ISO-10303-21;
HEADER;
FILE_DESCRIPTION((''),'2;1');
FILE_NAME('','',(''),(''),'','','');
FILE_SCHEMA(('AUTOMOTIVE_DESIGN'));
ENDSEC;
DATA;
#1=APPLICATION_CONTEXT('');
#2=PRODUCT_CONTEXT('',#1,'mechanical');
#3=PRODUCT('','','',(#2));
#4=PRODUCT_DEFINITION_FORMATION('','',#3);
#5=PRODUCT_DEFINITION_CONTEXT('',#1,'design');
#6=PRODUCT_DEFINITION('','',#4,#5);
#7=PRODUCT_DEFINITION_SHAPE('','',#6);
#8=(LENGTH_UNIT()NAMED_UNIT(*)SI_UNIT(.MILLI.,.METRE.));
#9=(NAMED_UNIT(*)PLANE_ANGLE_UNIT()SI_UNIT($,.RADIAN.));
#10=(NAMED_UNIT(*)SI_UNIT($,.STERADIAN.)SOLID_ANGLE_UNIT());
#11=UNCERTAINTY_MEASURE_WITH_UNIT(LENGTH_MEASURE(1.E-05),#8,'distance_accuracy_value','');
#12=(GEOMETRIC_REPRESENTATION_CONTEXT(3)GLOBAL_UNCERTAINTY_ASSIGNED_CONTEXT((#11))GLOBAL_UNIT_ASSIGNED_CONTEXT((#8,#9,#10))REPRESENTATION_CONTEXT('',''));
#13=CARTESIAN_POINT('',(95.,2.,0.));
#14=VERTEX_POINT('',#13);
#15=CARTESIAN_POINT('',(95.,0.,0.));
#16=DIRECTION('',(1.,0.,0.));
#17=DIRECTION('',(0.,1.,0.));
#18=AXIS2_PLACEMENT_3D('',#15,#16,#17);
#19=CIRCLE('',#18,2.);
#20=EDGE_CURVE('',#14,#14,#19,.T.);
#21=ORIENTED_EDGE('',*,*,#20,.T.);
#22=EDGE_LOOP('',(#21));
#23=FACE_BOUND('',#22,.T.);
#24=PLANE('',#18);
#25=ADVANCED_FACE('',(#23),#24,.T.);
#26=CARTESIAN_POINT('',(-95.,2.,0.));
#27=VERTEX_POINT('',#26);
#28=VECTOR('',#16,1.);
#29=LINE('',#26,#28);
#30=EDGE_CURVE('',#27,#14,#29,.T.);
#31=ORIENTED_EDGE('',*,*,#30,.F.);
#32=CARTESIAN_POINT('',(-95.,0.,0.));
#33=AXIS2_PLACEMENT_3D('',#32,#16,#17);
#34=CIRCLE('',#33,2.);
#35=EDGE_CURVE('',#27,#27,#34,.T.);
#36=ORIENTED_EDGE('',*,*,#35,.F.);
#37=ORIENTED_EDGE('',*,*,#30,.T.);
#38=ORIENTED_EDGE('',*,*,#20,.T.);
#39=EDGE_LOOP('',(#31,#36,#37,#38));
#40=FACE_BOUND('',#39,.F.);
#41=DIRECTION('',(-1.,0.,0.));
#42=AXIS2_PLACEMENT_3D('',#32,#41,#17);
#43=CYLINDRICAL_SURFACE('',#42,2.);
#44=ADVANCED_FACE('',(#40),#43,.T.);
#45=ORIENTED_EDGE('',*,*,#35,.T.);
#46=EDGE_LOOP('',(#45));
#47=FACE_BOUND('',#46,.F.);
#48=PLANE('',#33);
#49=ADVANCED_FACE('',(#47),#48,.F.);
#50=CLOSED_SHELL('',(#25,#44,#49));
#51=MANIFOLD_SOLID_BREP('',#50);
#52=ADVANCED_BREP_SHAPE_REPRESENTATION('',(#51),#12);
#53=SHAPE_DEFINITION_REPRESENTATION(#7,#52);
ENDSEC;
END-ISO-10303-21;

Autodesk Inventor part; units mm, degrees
ref_plane "XZ Plane" through (0, 0, 0) normal (0, 1, 0) x (-1, 0, 0)
ref_plane "XY Plane" through (0, 0, 0) normal (0, 0, 1) x (1, 0, 0)
ref_plane "Work Plane1" through (-95, 0, 0) normal (1, 0, 0) x (0, 1, 0)
sketch "Sketch1" plane through (-95, 0, 0) normal (1, 0, 0) x (0, 1, 0)
  circle A0 centre (0, 0) radius 2
extrude "Extrusion1" add sketch "Sketch1" along normal blind 190
thread "Thread1" size "M4x0.7" class "6g" standard "ISO Metric profile" full length
properties part number "Spreader M4 threaded rod" material "Steel, Carbon"
